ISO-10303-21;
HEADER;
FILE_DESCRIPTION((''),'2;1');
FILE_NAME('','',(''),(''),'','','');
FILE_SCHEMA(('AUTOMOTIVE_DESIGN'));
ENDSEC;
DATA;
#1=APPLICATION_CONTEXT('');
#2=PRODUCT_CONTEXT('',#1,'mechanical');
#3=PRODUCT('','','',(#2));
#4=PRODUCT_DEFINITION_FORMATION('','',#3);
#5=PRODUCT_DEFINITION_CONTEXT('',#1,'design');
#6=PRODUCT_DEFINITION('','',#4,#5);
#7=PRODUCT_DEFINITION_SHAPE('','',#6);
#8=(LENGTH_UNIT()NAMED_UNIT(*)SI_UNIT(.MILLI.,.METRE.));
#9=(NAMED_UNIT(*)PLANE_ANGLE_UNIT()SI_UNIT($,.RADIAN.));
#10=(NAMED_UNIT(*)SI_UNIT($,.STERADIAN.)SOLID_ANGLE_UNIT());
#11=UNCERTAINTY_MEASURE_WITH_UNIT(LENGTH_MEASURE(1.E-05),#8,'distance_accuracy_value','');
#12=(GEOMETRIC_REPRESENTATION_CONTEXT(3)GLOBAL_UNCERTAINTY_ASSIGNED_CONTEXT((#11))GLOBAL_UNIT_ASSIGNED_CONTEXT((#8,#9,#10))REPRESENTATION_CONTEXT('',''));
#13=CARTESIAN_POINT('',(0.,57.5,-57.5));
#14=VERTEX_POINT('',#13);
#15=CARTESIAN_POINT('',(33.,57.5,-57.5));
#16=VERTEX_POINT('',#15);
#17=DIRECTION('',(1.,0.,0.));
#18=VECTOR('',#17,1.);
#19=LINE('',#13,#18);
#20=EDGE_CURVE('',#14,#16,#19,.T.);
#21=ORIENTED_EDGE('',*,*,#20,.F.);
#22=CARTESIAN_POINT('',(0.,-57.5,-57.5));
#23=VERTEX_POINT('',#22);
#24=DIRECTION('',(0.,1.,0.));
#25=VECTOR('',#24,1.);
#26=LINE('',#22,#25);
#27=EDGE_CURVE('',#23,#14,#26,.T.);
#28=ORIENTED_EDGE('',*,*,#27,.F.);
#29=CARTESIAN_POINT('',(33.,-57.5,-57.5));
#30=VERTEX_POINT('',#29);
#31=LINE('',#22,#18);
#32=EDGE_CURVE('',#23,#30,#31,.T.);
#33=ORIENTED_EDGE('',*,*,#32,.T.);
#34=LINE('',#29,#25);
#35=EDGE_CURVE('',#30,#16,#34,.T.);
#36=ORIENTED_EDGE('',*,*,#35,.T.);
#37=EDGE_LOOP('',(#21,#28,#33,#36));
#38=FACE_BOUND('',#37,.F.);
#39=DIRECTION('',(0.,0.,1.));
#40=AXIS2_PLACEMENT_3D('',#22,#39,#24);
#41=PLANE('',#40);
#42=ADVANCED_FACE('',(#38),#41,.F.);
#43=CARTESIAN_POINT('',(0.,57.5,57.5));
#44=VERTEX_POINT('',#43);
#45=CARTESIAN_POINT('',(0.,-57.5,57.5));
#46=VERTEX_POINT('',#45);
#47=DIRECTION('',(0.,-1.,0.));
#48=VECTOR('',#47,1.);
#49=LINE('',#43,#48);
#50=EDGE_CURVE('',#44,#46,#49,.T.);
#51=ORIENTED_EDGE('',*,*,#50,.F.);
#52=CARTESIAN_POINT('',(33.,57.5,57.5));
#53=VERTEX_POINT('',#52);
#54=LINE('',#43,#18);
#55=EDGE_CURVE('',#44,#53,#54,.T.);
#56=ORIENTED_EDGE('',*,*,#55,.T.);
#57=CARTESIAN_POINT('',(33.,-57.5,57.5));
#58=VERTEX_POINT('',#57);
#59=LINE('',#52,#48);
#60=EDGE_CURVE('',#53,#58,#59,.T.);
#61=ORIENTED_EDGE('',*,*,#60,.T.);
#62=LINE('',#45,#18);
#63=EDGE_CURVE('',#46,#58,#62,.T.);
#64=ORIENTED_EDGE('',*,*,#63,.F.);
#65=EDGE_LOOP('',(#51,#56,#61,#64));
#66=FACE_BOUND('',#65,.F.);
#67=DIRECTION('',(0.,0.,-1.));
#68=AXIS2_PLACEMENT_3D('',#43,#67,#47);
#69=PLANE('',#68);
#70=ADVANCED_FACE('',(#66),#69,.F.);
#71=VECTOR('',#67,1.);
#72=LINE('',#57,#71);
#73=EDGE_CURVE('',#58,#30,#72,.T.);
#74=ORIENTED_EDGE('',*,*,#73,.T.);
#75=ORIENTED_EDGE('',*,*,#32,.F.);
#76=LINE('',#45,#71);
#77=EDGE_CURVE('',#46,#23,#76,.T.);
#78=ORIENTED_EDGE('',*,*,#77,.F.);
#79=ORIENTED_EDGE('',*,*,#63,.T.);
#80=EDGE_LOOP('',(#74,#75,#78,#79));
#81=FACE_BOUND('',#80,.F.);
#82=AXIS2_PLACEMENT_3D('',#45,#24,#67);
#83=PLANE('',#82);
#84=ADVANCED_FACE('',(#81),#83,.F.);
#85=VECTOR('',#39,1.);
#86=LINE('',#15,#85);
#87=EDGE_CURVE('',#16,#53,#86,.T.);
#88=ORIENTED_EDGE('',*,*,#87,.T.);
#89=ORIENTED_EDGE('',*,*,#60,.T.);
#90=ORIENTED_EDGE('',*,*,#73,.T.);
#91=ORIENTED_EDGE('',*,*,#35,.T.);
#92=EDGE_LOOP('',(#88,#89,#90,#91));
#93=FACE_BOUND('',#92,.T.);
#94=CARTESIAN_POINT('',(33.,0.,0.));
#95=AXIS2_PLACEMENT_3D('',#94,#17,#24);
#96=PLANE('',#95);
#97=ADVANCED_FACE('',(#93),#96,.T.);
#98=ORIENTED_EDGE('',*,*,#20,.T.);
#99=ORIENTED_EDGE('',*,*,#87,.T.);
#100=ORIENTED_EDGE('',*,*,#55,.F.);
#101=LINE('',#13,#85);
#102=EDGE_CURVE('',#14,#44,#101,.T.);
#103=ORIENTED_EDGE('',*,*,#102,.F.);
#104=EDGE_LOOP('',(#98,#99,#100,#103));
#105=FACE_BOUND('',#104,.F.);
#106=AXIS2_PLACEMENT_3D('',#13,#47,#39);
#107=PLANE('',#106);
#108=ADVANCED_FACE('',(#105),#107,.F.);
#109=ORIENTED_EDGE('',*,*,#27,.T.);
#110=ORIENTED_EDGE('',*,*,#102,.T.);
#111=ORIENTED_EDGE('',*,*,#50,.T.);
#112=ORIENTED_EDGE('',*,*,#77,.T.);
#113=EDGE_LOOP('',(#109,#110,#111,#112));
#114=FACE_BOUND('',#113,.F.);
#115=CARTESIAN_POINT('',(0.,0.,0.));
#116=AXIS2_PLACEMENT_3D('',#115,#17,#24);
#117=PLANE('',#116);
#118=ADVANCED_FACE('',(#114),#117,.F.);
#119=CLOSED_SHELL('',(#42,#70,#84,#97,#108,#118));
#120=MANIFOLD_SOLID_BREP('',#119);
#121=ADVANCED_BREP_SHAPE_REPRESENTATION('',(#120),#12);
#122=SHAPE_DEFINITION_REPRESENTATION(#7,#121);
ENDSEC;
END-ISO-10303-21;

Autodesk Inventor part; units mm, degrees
ref_plane "YZ Plane" through (0, 0, 0) normal (1, 0, 0) x (0, 1, 0)
ref_plane "XZ Plane" through (0, 0, 0) normal (0, 1, 0) x (-1, 0, 0)
ref_plane "XY Plane" through (0, 0, 0) normal (0, 0, 1) x (1, 0, 0)
sketch "Sketch1" plane through (0, 0, 0) normal (1, 0, 0) x (0, 1, 0)
  line L0 (-57.5, -57.5) -> (57.5, -57.5)
  line L1 (57.5, -57.5) -> (57.5, 57.5)
  line L2 (57.5, 57.5) -> (-57.5, 57.5)
  line L3 (-57.5, 57.5) -> (-57.5, -57.5)
  line L4 (-57.5, -57.5) -> (57.5, 57.5) construction
  line L5 (57.5, -57.5) -> (-57.5, 57.5) construction
  point P0 (0, 0)
  dimension "d0" = 115
  dimension "d1" = 115
extrude "Extrusion1" add sketch "Sketch1" along normal blind 33
properties part number "INFN Aerogel" material "ABS Plastic"
